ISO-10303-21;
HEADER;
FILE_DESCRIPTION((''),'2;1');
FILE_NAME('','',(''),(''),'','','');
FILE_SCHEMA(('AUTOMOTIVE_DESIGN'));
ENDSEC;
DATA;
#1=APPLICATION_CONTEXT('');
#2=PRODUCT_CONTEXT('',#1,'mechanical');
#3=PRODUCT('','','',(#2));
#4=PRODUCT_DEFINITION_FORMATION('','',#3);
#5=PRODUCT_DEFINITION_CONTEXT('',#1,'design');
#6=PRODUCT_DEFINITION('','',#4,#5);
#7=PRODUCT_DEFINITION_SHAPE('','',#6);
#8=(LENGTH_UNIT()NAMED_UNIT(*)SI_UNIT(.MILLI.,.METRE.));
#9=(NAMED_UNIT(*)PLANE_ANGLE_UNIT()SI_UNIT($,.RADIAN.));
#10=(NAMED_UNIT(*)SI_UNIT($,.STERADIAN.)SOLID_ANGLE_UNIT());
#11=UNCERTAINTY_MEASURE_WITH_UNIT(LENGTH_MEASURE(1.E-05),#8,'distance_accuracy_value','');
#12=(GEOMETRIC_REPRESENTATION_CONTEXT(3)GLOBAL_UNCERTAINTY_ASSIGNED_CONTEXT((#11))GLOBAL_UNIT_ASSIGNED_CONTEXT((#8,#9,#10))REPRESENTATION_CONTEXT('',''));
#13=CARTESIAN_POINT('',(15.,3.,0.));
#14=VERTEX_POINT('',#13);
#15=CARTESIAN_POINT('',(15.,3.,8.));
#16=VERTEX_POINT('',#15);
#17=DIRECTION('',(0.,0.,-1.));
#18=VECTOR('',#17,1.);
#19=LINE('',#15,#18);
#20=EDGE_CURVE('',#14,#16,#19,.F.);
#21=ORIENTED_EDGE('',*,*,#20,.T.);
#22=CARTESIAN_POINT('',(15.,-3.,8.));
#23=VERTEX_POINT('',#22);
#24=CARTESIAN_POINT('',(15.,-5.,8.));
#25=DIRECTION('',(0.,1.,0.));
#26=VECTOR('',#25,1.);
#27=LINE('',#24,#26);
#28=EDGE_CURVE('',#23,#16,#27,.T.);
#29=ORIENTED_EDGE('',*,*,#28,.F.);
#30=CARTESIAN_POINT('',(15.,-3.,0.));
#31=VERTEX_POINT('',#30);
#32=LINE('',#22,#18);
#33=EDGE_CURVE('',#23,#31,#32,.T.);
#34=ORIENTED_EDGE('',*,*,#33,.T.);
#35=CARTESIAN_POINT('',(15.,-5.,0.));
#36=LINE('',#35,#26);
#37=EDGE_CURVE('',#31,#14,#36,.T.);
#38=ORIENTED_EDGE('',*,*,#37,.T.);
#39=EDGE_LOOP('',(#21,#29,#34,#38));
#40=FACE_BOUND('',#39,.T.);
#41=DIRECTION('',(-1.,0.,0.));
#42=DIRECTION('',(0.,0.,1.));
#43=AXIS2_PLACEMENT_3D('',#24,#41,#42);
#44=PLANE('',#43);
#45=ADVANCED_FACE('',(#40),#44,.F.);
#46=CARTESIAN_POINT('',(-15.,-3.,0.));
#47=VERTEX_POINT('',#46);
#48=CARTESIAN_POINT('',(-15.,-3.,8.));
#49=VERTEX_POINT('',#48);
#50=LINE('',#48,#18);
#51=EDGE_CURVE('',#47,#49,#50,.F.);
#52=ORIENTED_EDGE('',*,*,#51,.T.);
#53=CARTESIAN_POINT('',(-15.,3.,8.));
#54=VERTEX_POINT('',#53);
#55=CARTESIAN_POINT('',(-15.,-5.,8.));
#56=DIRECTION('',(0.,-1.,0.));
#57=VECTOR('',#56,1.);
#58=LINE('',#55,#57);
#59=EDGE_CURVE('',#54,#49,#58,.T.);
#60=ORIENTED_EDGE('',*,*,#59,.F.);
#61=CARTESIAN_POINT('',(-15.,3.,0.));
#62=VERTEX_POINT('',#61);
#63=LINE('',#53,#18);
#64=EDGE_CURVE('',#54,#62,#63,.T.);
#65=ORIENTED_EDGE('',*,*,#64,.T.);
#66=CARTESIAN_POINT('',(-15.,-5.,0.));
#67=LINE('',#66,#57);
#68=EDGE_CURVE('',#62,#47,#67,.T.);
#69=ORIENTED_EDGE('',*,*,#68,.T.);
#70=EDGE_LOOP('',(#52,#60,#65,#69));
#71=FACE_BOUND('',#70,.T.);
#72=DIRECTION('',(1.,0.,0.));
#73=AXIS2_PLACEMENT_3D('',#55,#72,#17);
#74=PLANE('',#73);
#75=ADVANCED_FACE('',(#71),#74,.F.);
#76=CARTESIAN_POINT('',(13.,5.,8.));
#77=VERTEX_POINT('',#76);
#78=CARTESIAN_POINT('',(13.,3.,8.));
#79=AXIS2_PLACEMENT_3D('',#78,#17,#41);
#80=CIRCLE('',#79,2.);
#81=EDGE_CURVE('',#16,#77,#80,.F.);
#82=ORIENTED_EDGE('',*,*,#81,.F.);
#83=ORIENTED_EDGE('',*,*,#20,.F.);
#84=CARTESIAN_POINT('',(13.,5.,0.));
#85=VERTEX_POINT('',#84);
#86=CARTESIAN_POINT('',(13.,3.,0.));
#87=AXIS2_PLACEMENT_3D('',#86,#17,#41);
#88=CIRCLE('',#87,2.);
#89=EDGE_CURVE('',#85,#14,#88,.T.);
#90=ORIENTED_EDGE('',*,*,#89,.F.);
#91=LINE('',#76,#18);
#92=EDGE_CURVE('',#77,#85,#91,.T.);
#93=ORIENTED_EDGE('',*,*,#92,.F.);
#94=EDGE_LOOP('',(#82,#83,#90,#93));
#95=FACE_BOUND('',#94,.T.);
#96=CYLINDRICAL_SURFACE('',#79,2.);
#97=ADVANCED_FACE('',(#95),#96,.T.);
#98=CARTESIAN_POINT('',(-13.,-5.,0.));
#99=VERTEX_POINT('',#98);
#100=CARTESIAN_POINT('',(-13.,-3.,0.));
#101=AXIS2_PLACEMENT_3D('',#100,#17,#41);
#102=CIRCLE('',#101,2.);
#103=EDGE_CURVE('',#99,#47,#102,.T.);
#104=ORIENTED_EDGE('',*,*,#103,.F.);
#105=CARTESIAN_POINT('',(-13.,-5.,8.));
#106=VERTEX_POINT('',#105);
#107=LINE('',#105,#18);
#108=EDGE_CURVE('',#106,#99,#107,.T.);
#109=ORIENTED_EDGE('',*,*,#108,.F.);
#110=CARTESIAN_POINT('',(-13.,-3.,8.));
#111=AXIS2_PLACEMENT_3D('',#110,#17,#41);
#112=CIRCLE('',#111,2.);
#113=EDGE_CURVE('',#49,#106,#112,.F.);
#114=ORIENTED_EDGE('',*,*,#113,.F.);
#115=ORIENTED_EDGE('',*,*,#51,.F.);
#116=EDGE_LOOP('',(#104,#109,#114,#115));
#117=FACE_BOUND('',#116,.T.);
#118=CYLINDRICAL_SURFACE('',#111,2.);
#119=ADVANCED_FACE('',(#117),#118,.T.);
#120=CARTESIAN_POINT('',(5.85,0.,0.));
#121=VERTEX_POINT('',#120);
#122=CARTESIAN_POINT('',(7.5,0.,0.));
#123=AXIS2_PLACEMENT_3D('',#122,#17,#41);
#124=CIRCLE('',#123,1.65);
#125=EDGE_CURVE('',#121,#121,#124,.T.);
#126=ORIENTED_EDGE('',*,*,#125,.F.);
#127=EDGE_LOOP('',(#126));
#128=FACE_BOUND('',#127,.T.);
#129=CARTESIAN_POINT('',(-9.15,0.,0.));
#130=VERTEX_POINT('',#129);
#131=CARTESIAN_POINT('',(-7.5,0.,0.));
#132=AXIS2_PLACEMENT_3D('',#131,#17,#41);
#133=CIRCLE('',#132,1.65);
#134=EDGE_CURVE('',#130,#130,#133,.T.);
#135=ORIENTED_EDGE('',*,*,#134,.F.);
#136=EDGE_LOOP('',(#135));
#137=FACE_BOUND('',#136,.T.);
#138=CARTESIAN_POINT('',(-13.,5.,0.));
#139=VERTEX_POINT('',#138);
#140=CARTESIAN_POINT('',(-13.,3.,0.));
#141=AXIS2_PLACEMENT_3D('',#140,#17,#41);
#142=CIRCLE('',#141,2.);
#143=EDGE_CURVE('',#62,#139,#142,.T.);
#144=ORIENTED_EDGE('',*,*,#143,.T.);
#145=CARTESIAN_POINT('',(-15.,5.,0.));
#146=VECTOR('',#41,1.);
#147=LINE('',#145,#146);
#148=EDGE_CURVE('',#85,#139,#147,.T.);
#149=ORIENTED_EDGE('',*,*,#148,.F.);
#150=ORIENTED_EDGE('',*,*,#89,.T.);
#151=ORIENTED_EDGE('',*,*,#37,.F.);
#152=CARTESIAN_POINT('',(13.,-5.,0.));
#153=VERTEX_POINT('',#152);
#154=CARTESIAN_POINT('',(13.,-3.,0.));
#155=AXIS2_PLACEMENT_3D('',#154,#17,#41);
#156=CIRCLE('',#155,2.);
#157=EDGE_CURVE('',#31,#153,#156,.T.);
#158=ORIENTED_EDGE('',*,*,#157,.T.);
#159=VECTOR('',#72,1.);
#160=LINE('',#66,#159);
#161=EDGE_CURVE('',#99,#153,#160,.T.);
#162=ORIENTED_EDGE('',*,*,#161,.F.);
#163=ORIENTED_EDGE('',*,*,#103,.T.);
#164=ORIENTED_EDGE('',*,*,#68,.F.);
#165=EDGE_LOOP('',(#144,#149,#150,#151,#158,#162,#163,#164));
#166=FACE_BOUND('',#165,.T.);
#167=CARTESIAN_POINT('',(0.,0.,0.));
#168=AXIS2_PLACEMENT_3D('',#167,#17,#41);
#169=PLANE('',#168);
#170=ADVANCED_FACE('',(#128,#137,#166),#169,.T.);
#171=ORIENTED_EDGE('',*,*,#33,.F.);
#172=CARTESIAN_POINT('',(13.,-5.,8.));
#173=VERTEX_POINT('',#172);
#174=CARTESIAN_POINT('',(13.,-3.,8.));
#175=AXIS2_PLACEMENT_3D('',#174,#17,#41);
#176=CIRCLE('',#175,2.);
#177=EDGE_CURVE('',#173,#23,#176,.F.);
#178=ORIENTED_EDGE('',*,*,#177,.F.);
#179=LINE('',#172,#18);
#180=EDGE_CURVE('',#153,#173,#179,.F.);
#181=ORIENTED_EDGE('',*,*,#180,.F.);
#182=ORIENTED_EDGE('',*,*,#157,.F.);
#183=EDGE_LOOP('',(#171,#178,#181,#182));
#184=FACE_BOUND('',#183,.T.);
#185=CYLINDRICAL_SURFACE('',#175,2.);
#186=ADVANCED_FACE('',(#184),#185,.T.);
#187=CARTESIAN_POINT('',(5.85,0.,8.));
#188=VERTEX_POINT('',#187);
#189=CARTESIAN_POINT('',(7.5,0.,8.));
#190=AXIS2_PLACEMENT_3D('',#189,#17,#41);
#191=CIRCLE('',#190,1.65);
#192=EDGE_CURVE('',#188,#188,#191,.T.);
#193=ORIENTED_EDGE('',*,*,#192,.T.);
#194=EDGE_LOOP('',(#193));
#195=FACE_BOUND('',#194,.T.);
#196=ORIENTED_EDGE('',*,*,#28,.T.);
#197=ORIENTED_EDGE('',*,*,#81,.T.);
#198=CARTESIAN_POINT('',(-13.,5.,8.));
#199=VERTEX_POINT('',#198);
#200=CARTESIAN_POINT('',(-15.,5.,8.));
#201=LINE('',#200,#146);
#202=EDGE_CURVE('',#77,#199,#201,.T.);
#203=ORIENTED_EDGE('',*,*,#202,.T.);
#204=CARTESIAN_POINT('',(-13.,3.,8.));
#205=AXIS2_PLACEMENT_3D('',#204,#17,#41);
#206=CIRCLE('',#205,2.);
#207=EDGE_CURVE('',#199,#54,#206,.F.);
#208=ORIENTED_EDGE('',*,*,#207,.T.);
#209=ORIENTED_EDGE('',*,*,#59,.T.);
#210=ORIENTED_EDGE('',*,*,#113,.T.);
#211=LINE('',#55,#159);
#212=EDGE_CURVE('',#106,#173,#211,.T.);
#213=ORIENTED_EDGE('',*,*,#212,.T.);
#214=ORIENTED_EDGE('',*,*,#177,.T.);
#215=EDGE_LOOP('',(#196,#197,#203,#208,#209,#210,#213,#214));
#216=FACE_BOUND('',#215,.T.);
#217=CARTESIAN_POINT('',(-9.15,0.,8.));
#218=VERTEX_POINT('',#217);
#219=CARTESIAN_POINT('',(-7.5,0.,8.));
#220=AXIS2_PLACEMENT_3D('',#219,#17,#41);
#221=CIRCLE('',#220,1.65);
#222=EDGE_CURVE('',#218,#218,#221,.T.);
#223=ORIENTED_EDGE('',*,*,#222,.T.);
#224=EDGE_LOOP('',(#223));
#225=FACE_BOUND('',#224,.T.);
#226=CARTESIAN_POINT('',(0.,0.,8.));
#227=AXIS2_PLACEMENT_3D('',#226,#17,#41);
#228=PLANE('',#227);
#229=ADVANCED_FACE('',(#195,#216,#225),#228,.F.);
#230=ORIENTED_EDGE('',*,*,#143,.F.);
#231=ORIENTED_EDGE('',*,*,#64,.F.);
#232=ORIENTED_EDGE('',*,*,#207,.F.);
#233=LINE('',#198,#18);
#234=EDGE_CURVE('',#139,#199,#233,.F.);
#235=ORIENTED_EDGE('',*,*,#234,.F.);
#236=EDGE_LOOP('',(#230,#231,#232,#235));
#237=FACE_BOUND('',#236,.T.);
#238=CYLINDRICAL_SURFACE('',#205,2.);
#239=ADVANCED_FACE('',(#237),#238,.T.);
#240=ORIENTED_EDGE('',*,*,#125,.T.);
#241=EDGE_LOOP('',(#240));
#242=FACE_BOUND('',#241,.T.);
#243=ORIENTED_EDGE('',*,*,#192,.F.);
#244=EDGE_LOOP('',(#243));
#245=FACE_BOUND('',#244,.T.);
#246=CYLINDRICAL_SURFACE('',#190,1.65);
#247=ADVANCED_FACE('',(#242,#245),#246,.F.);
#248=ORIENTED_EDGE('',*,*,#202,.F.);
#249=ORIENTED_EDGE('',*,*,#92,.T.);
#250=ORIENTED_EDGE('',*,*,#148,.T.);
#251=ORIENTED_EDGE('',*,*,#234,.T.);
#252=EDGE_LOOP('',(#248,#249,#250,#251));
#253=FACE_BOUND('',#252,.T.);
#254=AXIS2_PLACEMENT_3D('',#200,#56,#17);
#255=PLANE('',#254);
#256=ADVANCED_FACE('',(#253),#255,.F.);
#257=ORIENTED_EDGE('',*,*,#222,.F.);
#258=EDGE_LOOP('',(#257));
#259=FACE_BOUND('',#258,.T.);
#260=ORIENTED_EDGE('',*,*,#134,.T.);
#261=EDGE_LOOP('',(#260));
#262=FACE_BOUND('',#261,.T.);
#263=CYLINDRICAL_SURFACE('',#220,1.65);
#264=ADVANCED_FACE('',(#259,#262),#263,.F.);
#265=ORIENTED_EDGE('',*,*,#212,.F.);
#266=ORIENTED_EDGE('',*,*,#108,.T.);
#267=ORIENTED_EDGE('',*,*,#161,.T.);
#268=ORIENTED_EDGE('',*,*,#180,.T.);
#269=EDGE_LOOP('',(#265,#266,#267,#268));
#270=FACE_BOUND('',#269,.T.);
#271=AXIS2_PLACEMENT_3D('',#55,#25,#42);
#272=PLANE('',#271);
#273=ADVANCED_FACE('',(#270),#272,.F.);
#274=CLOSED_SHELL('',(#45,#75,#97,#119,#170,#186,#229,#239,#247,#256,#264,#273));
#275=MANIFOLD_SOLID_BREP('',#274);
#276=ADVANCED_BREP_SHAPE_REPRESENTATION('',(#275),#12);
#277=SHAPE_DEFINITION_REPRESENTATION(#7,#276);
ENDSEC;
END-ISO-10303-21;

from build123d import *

# Parameters (mm, degrees)
SKETCH_1_W          = 30
SKETCH_1_H          = 10
EXTRUDE_1_DEPTH     = 8
FILLET_1_R          = 2
SKETCH_3_R          = 1.65
CUT_EXTRUDE_1_DEPTH = 9


with BuildPart() as part:
    # 草图1 → 凸台-拉伸1 (new body)
    with BuildSketch(Plane.XY):
        Rectangle(SKETCH_1_W, SKETCH_1_H)
    extrude(amount=EXTRUDE_1_DEPTH)

    # 圆角1
    fillet_1_edges = [part.edges().sort_by_distance(p)[0] for p in [
        (15, -5, 4),
        (-15, -5, 4),
        (-15, 5, 4),
        (15, 5, 4),
    ]]
    fillet(fillet_1_edges, radius=FILLET_1_R)

    # 草图3 → 切除-拉伸1 (cut, through all)
    with BuildSketch(Plane(origin=(0, 0, 0), x_dir=(-1, 0, 0), z_dir=(0, 0, -1))):
        with Locations((-7.5, 0)):
            Circle(SKETCH_3_R)
        with Locations((7.5, 0)):
            Circle(SKETCH_3_R)
    extrude(amount=-CUT_EXTRUDE_1_DEPTH, mode=Mode.SUBTRACT)


solid = part.part
